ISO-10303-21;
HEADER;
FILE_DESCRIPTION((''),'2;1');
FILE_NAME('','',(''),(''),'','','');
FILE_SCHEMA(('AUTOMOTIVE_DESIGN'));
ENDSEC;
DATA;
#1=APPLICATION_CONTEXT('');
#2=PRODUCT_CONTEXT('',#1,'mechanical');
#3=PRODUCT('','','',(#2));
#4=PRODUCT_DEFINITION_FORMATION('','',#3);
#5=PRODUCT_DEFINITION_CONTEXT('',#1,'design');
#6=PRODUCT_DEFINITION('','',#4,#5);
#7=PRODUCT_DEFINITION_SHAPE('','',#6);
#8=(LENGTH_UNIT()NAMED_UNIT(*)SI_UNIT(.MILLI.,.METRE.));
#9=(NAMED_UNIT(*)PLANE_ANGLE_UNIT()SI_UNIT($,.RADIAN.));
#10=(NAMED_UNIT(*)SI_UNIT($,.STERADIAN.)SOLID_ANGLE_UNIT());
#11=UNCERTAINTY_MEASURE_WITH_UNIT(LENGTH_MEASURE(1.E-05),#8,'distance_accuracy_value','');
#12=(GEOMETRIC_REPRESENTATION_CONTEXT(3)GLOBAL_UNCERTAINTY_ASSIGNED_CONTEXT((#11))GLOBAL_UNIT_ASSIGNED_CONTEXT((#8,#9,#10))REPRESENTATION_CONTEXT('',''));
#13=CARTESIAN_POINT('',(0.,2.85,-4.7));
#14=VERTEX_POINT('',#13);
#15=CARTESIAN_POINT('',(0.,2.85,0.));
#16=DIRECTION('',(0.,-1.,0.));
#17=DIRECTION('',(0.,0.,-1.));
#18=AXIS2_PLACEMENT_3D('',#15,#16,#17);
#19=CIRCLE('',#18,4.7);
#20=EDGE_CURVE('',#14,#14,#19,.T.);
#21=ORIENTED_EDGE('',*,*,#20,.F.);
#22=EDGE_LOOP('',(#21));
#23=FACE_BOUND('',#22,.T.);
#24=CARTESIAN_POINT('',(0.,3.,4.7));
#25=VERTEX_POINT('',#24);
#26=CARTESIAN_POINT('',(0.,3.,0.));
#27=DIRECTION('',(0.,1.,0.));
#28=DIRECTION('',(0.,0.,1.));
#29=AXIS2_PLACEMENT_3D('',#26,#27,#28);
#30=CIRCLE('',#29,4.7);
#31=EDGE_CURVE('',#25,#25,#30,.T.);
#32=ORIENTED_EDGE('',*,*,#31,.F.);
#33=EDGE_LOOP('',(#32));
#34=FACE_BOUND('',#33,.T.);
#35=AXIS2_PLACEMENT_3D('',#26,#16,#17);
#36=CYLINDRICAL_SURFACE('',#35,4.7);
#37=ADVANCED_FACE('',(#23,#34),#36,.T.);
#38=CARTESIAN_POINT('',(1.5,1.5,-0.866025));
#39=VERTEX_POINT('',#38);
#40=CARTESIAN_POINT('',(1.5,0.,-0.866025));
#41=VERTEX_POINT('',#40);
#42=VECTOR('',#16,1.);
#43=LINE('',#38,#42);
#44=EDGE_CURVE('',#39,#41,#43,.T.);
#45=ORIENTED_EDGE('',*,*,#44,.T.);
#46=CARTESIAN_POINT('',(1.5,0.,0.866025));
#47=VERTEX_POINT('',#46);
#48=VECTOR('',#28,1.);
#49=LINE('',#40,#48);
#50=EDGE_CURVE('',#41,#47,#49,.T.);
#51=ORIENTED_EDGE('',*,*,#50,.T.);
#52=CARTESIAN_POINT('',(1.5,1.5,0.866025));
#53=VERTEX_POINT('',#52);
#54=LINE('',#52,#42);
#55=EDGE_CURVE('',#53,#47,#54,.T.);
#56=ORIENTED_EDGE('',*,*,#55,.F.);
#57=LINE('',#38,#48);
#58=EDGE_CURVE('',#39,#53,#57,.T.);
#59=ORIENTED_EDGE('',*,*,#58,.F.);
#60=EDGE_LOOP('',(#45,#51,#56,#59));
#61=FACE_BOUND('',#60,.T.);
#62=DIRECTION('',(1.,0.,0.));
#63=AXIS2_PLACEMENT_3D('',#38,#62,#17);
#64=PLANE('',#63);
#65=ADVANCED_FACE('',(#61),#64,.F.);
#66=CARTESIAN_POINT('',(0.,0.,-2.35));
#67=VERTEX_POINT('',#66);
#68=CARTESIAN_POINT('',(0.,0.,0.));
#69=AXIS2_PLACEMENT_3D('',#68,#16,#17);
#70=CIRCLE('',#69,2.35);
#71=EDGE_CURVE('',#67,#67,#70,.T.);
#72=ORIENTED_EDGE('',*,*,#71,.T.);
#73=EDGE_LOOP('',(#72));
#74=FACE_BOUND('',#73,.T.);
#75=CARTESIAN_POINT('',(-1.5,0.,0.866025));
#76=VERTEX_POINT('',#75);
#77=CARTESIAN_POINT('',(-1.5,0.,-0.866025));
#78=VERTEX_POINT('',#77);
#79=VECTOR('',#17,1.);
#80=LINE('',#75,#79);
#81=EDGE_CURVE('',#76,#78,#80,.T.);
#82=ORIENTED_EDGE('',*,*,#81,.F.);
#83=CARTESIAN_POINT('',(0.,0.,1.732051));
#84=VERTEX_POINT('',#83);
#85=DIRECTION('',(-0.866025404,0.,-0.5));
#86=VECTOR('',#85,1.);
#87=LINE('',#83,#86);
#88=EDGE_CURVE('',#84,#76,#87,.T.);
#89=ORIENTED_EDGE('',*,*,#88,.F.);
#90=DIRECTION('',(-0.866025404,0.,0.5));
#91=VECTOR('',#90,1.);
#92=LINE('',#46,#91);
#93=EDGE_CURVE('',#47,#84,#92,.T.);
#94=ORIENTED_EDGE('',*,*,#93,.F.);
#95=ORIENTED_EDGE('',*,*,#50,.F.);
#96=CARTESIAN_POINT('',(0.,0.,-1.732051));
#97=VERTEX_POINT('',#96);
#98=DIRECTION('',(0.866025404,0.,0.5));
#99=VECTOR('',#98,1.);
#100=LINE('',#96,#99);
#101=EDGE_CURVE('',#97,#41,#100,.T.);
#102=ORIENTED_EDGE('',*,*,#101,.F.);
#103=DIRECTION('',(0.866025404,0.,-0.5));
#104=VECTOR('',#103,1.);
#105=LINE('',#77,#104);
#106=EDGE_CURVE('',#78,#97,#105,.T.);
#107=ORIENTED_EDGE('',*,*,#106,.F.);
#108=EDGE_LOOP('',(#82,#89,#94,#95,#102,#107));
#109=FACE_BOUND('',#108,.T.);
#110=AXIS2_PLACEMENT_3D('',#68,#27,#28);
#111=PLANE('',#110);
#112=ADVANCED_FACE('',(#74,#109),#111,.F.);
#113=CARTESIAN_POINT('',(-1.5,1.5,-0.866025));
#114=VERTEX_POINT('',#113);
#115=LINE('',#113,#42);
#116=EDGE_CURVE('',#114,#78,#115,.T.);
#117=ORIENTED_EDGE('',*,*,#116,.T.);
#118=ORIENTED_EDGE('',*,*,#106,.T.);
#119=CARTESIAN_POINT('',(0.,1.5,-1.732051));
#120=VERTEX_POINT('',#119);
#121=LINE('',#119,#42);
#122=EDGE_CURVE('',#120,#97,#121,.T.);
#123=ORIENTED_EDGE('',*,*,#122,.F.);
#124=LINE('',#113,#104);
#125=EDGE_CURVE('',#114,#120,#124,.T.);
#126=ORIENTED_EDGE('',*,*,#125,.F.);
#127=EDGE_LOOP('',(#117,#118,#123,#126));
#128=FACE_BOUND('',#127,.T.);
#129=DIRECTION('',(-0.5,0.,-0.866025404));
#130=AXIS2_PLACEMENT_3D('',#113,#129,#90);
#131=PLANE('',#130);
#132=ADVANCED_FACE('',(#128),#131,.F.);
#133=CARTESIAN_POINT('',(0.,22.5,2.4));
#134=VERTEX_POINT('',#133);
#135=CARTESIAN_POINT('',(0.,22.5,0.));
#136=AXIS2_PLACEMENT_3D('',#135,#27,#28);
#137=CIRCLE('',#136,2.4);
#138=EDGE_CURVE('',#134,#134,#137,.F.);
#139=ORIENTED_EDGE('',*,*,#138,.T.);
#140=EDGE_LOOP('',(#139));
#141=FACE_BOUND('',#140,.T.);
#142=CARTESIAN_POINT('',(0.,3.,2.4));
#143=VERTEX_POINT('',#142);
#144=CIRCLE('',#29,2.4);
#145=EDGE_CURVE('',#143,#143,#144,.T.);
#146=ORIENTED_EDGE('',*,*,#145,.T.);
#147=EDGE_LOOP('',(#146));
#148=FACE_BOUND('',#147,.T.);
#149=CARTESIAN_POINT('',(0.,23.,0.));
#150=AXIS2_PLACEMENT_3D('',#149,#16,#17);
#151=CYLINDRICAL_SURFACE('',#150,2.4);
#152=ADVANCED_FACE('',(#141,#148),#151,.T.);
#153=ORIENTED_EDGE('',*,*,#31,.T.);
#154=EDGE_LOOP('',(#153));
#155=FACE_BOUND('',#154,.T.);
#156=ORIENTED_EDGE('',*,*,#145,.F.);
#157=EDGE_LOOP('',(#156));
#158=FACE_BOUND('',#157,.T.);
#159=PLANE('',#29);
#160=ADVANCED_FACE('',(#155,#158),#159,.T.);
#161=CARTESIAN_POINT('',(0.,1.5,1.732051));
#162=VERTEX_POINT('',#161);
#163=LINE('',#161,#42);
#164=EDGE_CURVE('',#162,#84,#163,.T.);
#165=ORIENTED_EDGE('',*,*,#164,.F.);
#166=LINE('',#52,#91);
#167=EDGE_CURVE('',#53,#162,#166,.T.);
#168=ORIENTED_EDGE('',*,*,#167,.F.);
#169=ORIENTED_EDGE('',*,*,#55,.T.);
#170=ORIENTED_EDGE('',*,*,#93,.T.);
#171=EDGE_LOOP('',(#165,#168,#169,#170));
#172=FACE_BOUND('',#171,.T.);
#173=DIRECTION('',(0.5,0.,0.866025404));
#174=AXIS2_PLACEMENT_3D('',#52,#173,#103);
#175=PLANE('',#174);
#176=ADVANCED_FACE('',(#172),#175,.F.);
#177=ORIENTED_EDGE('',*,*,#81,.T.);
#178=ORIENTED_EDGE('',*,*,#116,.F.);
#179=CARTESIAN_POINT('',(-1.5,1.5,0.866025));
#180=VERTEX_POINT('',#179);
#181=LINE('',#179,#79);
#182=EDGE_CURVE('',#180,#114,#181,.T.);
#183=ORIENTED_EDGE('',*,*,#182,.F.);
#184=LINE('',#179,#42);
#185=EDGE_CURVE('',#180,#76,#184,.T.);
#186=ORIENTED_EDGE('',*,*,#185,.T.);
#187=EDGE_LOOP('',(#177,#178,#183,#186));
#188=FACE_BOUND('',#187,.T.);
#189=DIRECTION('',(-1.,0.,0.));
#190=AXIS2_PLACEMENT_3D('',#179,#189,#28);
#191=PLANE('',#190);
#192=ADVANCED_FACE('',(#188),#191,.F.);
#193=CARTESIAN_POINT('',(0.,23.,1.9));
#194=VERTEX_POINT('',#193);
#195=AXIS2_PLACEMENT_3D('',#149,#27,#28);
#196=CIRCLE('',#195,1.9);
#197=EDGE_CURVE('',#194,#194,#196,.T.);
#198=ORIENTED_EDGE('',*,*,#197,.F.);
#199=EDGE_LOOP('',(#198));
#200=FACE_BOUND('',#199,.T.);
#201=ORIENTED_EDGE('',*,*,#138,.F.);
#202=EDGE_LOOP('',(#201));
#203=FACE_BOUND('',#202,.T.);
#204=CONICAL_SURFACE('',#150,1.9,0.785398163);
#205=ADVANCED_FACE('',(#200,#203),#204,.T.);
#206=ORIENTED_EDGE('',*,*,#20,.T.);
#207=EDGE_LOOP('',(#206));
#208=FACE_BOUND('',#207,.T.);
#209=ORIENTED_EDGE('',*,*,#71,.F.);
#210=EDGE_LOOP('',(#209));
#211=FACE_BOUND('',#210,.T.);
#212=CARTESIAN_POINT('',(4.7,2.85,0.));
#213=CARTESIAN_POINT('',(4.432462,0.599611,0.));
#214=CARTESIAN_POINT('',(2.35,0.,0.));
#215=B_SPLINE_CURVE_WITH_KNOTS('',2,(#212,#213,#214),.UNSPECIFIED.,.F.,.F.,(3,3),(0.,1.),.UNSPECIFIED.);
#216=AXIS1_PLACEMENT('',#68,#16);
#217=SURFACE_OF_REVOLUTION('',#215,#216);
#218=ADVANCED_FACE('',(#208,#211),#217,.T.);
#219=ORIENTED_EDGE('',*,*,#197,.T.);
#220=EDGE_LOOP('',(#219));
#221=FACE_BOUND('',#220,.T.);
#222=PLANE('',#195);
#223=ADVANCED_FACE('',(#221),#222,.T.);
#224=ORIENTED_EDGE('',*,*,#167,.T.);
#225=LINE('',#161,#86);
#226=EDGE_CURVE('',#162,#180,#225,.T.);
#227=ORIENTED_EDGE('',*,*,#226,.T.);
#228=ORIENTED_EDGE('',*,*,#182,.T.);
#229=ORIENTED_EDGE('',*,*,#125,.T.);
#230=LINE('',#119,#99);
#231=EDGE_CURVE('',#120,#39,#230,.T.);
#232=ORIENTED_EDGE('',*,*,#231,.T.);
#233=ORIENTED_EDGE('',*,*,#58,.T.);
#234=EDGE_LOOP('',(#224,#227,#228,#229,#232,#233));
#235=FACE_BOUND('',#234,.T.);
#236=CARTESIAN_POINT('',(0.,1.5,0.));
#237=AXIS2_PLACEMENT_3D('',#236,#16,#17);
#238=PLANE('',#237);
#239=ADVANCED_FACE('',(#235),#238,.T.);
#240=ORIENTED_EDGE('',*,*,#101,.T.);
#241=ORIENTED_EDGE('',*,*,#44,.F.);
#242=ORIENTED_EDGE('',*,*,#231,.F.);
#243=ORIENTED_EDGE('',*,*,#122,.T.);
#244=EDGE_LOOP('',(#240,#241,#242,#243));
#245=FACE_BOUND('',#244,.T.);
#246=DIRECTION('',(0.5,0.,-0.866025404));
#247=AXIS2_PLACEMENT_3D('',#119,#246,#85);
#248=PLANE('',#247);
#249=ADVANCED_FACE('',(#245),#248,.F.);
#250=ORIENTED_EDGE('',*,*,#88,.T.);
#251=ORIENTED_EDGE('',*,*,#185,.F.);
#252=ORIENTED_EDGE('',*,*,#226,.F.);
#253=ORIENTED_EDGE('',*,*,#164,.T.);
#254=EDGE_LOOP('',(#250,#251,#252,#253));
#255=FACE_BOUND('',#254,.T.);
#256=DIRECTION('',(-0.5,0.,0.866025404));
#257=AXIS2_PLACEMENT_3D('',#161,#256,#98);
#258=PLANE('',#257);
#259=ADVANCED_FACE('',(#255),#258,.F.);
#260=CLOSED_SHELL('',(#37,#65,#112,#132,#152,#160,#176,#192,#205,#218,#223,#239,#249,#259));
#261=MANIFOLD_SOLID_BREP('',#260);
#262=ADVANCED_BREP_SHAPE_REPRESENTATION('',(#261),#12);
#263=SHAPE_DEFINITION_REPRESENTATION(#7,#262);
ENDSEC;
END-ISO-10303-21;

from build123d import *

# Parameters (mm, degrees)
SKETCH1_R           = 4.7
BOSS_EXTRUDE1_DEPTH = 3
SKETCH2_R           = 2.4
BOSS_EXTRUDE2_DEPTH = 20
CUT_EXTRUDE1_DEPTH  = 1.5
CHAMFER1_SIZE       = 0.5


with BuildPart() as part:
    # Sketch1 → Boss-Extrude1 (new body)
    with BuildSketch(Plane(origin=(0, 0, 0), x_dir=(1, 0, 0), z_dir=(0, 1, 0))):
        with Locations(Location((0, 0, 0), (0, 0, 270))):
            Circle(SKETCH1_R)
    extrude(amount=BOSS_EXTRUDE1_DEPTH)

    # Sketch2 → Boss-Extrude2 (add)
    with BuildSketch(Plane(origin=(0, 3, 0), x_dir=(1, 0, 0), z_dir=(0, 1, 0))):
        with Locations(Location((0, 0, 0), (0, 0, 270))):
            Circle(SKETCH2_R)
    extrude(amount=BOSS_EXTRUDE2_DEPTH)

    # Sketch3 → Cut-Revolve1 (revolve, cut)
    with BuildSketch(Plane.XY, mode=Mode.PRIVATE) as cut_revolve1_sk:
        with BuildLine():
            Line((2.35, 0), (4.7, 0))
            Line((4.7, 0), (4.7, 2.85))
            add(Edge.make_bspline(
                [(2.35, 0), (4.432462228, 0.599611143), (4.7, 2.85)],
                knots=[0, 0, 0, 1, 1, 1], degree=2))
        make_face()
    revolve(cut_revolve1_sk.sketch.rotate(Axis((0, 0, 0), (0, 1, 0)), 90), axis=Axis((0, 0, 0), (0, 1, 0)), mode=Mode.SUBTRACT)

    # Sketch4 → Cut-Extrude1 (cut)
    with BuildSketch(Plane.XZ):
        Polygon((0, 1.732050808), (-1.5, 0.866025404), (-1.5, -0.866025404), (0, -1.732050808), (1.5, -0.866025404), (1.5, 0.866025404), align=None)
    extrude(amount=-CUT_EXTRUDE1_DEPTH, mode=Mode.SUBTRACT)

    # Chamfer1
    chamfer1_edges = [part.edges().sort_by_distance(p)[0] for p in [
        (0, 23, -2.4),
    ]]
    chamfer(chamfer1_edges, length=CHAMFER1_SIZE)


solid = part.part
